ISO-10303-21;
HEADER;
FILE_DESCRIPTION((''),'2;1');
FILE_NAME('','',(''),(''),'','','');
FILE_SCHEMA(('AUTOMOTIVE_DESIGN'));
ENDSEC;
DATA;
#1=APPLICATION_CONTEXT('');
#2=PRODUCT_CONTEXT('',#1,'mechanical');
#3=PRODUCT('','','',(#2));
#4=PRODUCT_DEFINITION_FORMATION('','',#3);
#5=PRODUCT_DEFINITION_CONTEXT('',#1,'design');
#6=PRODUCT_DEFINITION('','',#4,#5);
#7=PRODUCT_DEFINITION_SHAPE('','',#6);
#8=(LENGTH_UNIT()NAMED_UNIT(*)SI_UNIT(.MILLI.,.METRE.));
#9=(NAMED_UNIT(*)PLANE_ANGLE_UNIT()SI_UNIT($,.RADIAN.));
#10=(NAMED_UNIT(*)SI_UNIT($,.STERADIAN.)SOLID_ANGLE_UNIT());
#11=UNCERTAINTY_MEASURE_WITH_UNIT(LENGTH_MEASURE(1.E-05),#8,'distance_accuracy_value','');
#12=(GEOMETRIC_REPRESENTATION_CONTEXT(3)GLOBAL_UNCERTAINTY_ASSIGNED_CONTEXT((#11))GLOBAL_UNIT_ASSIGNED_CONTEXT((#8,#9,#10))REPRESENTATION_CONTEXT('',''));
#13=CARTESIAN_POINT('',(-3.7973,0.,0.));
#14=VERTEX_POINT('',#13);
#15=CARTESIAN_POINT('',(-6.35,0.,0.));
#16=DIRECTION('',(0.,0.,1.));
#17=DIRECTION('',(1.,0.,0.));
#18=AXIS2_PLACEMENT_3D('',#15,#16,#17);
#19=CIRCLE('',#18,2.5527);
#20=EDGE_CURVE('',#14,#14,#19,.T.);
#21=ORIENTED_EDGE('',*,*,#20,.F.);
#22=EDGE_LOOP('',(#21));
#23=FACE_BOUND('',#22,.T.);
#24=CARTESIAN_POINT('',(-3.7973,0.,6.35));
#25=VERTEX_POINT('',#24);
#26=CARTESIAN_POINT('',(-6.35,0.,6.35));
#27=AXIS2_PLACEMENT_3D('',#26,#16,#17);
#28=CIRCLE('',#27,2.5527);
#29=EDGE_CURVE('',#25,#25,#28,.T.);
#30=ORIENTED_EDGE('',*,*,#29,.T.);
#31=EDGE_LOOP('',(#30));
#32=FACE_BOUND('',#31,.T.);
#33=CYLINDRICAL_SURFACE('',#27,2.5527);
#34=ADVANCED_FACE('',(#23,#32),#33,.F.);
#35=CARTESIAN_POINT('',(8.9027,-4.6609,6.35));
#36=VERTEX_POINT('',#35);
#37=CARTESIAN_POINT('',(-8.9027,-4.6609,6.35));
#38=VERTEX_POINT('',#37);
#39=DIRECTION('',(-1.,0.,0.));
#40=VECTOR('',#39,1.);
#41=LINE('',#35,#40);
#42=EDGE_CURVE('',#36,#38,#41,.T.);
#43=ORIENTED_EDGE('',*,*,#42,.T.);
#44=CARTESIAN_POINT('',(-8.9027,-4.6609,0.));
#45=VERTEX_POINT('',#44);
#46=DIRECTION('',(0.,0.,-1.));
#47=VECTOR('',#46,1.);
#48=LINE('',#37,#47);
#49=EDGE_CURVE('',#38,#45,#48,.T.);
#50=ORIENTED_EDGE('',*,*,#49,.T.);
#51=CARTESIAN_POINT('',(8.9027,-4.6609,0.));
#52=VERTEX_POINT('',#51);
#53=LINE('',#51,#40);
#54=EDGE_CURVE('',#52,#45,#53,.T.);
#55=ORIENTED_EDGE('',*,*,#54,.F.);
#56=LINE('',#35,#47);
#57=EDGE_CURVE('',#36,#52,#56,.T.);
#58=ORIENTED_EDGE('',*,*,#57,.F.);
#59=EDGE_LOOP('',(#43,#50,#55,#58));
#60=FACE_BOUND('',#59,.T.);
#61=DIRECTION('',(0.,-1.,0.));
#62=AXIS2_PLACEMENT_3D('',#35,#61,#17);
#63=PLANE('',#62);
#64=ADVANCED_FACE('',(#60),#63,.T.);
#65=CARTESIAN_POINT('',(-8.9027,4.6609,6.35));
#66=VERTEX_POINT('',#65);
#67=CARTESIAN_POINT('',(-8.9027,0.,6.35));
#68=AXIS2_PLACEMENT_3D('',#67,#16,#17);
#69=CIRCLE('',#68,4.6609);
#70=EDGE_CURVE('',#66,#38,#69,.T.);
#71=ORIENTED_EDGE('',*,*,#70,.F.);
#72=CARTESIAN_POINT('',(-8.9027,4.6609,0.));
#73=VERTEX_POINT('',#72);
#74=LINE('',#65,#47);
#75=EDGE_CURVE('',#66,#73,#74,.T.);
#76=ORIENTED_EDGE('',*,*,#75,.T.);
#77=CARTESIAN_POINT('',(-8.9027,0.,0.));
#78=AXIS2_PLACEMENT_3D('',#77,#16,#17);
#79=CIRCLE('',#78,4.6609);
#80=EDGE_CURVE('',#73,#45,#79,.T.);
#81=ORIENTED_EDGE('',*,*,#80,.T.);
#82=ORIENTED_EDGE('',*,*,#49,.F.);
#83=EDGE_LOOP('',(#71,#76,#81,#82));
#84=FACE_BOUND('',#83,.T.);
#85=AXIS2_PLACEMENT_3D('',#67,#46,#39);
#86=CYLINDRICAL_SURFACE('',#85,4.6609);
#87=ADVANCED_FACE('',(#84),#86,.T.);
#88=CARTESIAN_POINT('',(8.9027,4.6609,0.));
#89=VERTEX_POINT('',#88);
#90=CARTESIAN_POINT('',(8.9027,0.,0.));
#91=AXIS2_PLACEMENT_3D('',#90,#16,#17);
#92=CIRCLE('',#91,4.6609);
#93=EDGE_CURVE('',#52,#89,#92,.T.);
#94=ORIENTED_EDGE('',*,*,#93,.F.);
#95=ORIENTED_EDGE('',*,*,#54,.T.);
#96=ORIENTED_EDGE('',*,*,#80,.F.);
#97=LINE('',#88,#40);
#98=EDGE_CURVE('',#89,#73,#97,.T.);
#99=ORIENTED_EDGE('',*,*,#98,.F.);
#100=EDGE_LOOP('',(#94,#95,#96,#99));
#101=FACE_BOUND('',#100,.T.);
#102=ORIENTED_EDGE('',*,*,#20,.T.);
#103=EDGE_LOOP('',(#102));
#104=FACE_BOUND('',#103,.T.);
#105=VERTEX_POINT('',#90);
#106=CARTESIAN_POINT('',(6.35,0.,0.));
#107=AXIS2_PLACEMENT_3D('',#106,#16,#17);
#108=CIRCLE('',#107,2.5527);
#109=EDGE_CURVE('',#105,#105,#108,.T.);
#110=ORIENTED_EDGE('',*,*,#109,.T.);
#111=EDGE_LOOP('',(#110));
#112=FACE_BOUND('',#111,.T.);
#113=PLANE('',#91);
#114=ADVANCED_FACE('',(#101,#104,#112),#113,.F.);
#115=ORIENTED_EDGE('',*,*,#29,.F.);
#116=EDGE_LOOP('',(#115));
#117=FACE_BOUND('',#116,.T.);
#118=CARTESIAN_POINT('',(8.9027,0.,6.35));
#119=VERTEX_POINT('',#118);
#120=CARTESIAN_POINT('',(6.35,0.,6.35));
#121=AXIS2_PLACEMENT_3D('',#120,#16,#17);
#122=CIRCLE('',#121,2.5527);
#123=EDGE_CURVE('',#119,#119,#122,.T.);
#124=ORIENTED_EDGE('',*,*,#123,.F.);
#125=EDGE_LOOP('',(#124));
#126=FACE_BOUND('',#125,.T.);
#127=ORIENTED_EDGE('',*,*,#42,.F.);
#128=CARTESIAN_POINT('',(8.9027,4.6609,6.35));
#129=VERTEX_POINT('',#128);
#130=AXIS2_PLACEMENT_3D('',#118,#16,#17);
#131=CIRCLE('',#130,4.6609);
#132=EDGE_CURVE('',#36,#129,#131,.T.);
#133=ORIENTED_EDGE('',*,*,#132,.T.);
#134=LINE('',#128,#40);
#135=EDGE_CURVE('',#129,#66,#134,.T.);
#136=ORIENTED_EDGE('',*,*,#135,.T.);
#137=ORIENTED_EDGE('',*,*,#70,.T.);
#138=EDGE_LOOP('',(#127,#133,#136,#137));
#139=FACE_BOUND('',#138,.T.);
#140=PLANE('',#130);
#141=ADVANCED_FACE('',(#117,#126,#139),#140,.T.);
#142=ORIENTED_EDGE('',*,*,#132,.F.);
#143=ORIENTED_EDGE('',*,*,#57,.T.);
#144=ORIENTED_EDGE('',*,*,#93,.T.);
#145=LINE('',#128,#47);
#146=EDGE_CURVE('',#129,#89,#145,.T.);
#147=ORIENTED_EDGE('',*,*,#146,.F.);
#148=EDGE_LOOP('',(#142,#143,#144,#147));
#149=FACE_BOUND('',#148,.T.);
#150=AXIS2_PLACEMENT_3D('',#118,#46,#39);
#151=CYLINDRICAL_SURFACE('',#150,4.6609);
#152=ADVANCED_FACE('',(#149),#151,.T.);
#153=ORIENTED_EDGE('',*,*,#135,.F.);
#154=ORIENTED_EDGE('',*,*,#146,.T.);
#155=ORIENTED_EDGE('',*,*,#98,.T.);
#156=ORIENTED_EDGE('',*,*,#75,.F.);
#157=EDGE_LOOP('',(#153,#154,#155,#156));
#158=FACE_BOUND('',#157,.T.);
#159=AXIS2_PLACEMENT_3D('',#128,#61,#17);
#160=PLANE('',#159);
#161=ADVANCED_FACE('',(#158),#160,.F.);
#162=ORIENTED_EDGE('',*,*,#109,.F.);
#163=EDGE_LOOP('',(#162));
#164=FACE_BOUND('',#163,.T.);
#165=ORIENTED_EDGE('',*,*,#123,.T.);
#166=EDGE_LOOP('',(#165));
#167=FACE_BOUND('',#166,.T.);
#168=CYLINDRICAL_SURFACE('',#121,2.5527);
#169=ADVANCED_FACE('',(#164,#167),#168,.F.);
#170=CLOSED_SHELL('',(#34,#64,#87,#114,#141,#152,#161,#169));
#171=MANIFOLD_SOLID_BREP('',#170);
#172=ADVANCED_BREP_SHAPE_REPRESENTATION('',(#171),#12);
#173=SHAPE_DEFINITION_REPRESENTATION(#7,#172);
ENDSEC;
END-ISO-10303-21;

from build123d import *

# Parameters (mm, degrees)
BOSS_EXTRUDE1_DEPTH    = 6.35
F_10_CLEARANCE_HOLE1_D = 5.1054


with BuildPart() as part:
    # Sketch1 → Boss-Extrude1 (new body)
    with BuildSketch(Plane.XY):
        with BuildLine():
            Line((8.9027, -4.6609), (-8.9027, -4.6609))
            ThreePointArc((-8.9027, -4.6609), (-13.5636, 0), (-8.9027, 4.6609))
            Line((-8.9027, 4.6609), (8.9027, 4.6609))
            ThreePointArc((8.9027, 4.6609), (13.5636, 0), (8.9027, -4.6609))
        make_face()
    extrude(amount=BOSS_EXTRUDE1_DEPTH)

    # #10 Clearance Hole1 (through all)
    with Locations(Plane.XY.offset(6.35)):
        with Locations((-6.35, 0), (6.35, 0)):
            Hole(F_10_CLEARANCE_HOLE1_D / 2)


solid = part.part
